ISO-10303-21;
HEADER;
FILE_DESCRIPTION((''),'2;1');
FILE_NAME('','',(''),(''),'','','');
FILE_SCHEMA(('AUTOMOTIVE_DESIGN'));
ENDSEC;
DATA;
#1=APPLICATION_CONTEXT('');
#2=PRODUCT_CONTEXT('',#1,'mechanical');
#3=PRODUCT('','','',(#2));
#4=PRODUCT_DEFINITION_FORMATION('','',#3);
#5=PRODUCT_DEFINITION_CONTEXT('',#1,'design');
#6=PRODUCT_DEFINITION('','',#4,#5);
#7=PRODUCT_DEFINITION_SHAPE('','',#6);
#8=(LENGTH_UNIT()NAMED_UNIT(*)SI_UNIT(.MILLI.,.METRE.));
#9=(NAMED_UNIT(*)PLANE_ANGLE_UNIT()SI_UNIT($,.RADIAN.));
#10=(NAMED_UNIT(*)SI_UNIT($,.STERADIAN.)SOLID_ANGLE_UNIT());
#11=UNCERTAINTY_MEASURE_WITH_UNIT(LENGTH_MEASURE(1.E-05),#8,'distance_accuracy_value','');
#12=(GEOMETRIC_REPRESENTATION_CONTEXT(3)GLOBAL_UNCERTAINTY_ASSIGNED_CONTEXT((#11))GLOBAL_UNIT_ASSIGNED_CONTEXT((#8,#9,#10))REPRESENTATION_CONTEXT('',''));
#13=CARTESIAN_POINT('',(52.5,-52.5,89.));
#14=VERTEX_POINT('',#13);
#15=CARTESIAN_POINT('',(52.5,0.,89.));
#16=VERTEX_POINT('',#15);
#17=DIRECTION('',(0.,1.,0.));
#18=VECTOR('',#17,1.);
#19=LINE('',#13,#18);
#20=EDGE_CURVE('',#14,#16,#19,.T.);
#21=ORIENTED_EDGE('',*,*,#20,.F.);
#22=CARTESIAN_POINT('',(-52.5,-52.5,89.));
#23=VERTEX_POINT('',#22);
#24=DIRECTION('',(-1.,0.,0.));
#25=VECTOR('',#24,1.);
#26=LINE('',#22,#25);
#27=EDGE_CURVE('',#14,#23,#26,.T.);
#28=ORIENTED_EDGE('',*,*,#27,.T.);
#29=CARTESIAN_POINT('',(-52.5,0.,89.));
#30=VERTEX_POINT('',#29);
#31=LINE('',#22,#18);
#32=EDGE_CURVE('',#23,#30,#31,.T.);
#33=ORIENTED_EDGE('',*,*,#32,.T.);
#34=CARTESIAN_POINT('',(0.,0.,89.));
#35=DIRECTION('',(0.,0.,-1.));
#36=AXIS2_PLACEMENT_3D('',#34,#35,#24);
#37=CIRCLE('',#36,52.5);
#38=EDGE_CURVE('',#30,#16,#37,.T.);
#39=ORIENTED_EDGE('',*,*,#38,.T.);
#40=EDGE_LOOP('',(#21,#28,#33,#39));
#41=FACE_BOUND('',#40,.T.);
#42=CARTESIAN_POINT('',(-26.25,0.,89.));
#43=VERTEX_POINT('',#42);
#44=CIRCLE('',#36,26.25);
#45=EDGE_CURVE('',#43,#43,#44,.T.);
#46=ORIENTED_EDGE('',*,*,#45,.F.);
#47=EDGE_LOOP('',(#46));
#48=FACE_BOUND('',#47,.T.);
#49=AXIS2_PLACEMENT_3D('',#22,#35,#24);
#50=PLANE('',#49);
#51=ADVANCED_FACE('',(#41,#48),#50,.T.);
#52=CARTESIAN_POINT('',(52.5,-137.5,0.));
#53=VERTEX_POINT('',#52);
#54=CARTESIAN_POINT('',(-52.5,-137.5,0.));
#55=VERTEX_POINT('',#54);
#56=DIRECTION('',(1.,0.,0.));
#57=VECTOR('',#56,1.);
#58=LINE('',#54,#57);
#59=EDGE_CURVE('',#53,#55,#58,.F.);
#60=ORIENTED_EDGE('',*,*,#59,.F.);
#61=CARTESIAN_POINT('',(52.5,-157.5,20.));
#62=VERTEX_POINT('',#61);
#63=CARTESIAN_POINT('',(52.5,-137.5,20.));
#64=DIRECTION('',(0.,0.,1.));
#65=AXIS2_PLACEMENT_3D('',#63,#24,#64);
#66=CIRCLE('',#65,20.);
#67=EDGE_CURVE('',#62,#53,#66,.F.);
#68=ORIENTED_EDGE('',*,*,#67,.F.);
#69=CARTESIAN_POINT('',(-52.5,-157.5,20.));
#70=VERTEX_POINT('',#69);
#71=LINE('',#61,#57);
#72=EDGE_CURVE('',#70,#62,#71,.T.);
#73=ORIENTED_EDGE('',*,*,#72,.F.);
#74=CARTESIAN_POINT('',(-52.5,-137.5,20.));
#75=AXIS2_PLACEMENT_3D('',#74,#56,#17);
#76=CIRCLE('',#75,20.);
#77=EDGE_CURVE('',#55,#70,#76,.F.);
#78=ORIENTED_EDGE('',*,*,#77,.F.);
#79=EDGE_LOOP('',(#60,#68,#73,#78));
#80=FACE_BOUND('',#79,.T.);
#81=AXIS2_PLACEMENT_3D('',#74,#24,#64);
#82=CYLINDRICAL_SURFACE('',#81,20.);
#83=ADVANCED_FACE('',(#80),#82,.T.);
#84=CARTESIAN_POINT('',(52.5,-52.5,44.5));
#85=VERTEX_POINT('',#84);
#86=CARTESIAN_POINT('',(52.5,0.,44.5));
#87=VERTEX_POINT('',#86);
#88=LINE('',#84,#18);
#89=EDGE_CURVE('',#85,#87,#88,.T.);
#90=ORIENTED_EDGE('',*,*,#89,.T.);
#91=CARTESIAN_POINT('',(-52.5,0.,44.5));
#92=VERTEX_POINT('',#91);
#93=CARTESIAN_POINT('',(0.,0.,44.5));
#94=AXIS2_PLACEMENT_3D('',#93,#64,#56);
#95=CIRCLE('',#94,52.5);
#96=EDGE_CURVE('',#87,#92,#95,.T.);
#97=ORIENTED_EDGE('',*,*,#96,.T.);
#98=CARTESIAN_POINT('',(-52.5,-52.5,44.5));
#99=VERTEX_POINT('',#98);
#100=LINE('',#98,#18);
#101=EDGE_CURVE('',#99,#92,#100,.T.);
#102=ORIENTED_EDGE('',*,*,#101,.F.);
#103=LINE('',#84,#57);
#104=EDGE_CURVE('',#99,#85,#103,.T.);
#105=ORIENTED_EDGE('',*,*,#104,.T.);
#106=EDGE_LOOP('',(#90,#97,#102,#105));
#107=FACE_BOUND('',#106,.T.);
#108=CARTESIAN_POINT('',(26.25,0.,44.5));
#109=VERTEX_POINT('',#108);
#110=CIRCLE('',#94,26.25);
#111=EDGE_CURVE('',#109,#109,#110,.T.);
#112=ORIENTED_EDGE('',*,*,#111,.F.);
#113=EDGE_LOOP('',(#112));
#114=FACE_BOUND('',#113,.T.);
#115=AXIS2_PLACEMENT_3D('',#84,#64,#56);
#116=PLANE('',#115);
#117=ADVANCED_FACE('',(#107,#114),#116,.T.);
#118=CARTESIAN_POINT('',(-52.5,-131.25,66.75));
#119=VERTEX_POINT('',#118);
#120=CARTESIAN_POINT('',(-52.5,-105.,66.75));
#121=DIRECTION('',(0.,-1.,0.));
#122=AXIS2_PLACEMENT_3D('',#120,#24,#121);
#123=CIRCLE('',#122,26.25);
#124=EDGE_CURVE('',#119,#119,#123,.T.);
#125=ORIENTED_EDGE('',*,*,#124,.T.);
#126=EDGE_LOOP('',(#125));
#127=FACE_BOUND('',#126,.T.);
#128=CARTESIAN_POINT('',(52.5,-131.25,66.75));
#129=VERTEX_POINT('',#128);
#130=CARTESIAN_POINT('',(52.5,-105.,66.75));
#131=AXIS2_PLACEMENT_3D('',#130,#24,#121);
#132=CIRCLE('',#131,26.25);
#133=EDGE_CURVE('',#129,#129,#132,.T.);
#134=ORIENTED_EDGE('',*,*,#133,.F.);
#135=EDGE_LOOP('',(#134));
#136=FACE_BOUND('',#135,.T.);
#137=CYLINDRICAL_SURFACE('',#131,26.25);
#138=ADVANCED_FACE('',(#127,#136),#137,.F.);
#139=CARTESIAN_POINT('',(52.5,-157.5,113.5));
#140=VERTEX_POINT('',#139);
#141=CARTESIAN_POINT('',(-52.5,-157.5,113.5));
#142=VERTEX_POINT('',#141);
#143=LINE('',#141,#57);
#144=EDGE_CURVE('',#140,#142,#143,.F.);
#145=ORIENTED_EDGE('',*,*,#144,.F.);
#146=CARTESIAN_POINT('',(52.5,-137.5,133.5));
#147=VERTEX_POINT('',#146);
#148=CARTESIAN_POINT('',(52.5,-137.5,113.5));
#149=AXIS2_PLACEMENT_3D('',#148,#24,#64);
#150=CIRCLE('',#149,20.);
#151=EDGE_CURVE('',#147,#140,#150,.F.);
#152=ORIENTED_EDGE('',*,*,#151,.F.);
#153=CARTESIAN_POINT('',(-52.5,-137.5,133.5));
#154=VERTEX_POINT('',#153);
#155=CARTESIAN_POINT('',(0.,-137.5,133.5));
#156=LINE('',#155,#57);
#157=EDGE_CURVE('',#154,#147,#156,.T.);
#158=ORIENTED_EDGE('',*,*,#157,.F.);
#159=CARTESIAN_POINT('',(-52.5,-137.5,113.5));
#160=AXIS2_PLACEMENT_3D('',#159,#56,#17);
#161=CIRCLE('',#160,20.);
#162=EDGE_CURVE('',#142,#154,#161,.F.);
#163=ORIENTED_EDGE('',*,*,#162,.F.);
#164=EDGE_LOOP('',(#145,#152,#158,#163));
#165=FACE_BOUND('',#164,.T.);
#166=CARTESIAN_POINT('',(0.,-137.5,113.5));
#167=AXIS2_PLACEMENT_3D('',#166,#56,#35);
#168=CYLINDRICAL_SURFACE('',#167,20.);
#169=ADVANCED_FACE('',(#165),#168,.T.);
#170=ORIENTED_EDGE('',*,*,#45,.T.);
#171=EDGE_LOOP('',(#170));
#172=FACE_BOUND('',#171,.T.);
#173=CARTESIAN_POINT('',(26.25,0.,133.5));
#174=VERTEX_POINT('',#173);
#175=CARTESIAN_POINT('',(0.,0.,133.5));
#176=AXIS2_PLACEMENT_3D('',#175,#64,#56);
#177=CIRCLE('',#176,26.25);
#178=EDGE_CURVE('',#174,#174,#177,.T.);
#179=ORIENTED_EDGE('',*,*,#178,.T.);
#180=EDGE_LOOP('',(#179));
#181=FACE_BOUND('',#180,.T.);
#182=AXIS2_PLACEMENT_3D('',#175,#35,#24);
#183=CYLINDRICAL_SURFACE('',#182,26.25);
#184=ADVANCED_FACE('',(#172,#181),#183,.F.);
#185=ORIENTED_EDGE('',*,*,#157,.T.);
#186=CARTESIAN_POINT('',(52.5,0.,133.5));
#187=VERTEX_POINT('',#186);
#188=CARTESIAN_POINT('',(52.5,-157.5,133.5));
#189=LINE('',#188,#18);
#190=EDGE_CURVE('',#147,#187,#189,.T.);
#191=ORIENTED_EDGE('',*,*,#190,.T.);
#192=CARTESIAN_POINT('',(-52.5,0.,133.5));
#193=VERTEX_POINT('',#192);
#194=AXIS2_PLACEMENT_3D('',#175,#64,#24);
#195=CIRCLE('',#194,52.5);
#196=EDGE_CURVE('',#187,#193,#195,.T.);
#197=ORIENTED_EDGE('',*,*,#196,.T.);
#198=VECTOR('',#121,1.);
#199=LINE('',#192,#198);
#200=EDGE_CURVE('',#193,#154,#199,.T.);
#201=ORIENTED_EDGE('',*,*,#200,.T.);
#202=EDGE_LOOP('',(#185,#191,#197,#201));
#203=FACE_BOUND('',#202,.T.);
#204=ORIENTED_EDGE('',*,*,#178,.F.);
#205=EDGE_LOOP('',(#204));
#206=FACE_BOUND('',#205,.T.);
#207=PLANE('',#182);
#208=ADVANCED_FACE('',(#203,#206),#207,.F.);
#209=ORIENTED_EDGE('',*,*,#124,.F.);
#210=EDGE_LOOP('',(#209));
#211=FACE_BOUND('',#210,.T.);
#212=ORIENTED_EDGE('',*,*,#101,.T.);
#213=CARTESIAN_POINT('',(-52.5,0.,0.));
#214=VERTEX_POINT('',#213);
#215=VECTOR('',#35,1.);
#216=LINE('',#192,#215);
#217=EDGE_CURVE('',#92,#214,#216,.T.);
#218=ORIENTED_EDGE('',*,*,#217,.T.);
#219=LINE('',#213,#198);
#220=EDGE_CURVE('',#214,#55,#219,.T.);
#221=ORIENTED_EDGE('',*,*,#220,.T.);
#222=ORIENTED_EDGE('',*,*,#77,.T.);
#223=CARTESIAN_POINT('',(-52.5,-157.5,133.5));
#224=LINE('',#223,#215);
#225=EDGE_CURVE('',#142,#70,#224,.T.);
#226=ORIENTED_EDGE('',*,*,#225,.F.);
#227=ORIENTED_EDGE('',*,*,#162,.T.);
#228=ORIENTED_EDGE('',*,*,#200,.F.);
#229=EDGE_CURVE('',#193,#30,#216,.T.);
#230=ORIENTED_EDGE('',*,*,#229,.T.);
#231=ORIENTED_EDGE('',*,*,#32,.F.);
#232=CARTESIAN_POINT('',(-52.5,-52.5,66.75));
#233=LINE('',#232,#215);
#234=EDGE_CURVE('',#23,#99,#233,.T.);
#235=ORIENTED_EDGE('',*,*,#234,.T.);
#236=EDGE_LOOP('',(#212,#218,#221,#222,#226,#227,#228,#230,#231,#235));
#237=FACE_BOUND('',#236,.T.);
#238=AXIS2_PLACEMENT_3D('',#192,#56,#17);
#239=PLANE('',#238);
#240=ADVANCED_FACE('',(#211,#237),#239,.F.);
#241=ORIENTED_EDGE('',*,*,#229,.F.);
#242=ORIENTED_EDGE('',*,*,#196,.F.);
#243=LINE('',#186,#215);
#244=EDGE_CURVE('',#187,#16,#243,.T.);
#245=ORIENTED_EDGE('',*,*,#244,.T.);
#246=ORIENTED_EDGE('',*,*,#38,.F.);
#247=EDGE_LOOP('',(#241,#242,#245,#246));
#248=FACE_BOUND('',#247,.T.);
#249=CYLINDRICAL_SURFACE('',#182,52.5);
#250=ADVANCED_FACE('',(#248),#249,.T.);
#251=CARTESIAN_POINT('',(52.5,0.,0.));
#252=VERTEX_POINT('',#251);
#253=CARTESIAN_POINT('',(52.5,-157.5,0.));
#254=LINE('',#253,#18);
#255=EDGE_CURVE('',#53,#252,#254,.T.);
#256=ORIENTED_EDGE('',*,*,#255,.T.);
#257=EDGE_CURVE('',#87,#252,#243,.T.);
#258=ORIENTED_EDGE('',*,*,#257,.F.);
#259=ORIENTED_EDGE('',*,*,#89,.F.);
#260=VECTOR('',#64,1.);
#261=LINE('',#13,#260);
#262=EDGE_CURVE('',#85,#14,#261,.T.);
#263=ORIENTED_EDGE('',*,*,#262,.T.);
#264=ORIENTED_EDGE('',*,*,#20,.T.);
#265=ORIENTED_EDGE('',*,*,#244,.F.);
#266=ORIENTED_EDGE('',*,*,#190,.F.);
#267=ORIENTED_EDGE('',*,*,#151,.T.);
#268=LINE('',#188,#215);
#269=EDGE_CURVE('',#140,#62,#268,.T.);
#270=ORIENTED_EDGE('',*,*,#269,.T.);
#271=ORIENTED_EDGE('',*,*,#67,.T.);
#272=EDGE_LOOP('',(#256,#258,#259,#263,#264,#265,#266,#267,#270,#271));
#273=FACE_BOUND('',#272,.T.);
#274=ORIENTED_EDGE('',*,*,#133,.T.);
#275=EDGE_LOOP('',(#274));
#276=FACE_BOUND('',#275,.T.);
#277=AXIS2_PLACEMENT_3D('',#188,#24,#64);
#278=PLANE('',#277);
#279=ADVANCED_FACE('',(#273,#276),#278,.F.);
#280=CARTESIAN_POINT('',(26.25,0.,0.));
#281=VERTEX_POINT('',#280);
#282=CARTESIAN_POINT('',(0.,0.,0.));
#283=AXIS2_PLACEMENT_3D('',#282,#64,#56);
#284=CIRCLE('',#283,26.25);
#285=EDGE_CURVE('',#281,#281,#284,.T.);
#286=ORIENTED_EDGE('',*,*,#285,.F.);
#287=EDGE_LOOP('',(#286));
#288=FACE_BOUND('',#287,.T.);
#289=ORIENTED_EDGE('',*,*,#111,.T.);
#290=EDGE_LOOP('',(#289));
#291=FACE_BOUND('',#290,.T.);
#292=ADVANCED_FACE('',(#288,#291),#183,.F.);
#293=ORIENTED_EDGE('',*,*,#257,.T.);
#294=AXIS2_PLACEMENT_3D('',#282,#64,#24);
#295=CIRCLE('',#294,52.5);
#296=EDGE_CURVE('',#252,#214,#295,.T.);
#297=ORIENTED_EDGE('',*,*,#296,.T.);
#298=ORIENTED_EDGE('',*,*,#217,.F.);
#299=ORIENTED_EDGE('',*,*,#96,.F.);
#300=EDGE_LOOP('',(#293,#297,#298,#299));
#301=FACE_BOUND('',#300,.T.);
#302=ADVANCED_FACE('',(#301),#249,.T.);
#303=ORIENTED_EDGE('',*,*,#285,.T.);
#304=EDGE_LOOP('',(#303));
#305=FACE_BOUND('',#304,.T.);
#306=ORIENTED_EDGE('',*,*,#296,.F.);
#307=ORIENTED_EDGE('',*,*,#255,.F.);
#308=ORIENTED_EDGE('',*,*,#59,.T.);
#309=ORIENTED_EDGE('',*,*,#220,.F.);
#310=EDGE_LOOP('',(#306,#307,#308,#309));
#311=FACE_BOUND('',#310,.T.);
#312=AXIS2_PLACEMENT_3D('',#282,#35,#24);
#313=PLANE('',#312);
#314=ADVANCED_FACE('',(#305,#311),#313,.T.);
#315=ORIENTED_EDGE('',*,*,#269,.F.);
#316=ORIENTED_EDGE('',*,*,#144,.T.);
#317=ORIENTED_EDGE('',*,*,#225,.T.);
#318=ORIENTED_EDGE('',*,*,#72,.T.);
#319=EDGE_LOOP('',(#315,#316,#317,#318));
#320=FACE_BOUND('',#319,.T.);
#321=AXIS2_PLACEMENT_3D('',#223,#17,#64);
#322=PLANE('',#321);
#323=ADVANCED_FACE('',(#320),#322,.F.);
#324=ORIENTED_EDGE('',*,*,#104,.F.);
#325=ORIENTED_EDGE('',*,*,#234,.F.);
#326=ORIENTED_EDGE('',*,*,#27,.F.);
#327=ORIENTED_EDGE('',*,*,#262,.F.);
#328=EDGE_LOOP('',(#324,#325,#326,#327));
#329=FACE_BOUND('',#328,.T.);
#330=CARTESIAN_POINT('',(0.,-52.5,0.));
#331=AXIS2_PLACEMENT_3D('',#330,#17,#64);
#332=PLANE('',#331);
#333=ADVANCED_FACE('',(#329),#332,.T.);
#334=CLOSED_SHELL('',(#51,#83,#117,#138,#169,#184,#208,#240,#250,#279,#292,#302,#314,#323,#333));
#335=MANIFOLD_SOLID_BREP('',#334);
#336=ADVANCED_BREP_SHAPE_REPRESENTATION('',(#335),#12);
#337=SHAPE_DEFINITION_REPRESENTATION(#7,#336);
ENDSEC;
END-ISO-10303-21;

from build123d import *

# Parameters (mm, degrees)
SKETCH1_R           = 26.25
BOSS_EXTRUDE1_DEPTH = 133.5
SKETCH3_R           = 26.25
CUT_EXTRUDE1_DEPTH  = 232.63225164
CUT_EXTRUDE2_START  = -210
CUT_EXTRUDE2_DEPTH  = 105
FILLET1_R           = 20


with BuildPart() as part:
    # Sketch1 → Boss-Extrude1 (new body)
    with BuildSketch(Plane.XY):
        with BuildLine():
            Line((-52.5, 0), (-52.5, -157.5))
            Line((-52.5, -157.5), (52.5, -157.5))
            Line((52.5, -157.5), (52.5, 0))
            ThreePointArc((52.5, 0), (0, 52.5), (-52.5, 0))
        make_face()
        Circle(SKETCH1_R, mode=Mode.SUBTRACT)
    extrude(amount=BOSS_EXTRUDE1_DEPTH)

    # Sketch3 → Cut-Extrude1 (cut, through all)
    with BuildSketch(Plane.ZY.offset(52.5)):
        with Locations(Location((66.75, -105, 0), (0, 0, 270))):
            Circle(SKETCH3_R)
    extrude(amount=-CUT_EXTRUDE1_DEPTH, mode=Mode.SUBTRACT)

    # Sketch6 → Cut-Extrude2 (cut)
    with BuildSketch(Plane.XZ.offset(157.5).offset(CUT_EXTRUDE2_START)):
        Polygon((-52.5, 66.75), (-52.5, 44.5), (52.5, 44.5), (52.5, 89), (-52.5, 89), align=None)
    extrude(amount=CUT_EXTRUDE2_DEPTH, mode=Mode.SUBTRACT)

    # Fillet1
    fillet1_edges = [part.edges().sort_by_distance(p)[0] for p in [
        (0, -157.5, 133.5),
        (0, -157.5, 0),
    ]]
    fillet(fillet1_edges, radius=FILLET1_R)


solid = part.part
